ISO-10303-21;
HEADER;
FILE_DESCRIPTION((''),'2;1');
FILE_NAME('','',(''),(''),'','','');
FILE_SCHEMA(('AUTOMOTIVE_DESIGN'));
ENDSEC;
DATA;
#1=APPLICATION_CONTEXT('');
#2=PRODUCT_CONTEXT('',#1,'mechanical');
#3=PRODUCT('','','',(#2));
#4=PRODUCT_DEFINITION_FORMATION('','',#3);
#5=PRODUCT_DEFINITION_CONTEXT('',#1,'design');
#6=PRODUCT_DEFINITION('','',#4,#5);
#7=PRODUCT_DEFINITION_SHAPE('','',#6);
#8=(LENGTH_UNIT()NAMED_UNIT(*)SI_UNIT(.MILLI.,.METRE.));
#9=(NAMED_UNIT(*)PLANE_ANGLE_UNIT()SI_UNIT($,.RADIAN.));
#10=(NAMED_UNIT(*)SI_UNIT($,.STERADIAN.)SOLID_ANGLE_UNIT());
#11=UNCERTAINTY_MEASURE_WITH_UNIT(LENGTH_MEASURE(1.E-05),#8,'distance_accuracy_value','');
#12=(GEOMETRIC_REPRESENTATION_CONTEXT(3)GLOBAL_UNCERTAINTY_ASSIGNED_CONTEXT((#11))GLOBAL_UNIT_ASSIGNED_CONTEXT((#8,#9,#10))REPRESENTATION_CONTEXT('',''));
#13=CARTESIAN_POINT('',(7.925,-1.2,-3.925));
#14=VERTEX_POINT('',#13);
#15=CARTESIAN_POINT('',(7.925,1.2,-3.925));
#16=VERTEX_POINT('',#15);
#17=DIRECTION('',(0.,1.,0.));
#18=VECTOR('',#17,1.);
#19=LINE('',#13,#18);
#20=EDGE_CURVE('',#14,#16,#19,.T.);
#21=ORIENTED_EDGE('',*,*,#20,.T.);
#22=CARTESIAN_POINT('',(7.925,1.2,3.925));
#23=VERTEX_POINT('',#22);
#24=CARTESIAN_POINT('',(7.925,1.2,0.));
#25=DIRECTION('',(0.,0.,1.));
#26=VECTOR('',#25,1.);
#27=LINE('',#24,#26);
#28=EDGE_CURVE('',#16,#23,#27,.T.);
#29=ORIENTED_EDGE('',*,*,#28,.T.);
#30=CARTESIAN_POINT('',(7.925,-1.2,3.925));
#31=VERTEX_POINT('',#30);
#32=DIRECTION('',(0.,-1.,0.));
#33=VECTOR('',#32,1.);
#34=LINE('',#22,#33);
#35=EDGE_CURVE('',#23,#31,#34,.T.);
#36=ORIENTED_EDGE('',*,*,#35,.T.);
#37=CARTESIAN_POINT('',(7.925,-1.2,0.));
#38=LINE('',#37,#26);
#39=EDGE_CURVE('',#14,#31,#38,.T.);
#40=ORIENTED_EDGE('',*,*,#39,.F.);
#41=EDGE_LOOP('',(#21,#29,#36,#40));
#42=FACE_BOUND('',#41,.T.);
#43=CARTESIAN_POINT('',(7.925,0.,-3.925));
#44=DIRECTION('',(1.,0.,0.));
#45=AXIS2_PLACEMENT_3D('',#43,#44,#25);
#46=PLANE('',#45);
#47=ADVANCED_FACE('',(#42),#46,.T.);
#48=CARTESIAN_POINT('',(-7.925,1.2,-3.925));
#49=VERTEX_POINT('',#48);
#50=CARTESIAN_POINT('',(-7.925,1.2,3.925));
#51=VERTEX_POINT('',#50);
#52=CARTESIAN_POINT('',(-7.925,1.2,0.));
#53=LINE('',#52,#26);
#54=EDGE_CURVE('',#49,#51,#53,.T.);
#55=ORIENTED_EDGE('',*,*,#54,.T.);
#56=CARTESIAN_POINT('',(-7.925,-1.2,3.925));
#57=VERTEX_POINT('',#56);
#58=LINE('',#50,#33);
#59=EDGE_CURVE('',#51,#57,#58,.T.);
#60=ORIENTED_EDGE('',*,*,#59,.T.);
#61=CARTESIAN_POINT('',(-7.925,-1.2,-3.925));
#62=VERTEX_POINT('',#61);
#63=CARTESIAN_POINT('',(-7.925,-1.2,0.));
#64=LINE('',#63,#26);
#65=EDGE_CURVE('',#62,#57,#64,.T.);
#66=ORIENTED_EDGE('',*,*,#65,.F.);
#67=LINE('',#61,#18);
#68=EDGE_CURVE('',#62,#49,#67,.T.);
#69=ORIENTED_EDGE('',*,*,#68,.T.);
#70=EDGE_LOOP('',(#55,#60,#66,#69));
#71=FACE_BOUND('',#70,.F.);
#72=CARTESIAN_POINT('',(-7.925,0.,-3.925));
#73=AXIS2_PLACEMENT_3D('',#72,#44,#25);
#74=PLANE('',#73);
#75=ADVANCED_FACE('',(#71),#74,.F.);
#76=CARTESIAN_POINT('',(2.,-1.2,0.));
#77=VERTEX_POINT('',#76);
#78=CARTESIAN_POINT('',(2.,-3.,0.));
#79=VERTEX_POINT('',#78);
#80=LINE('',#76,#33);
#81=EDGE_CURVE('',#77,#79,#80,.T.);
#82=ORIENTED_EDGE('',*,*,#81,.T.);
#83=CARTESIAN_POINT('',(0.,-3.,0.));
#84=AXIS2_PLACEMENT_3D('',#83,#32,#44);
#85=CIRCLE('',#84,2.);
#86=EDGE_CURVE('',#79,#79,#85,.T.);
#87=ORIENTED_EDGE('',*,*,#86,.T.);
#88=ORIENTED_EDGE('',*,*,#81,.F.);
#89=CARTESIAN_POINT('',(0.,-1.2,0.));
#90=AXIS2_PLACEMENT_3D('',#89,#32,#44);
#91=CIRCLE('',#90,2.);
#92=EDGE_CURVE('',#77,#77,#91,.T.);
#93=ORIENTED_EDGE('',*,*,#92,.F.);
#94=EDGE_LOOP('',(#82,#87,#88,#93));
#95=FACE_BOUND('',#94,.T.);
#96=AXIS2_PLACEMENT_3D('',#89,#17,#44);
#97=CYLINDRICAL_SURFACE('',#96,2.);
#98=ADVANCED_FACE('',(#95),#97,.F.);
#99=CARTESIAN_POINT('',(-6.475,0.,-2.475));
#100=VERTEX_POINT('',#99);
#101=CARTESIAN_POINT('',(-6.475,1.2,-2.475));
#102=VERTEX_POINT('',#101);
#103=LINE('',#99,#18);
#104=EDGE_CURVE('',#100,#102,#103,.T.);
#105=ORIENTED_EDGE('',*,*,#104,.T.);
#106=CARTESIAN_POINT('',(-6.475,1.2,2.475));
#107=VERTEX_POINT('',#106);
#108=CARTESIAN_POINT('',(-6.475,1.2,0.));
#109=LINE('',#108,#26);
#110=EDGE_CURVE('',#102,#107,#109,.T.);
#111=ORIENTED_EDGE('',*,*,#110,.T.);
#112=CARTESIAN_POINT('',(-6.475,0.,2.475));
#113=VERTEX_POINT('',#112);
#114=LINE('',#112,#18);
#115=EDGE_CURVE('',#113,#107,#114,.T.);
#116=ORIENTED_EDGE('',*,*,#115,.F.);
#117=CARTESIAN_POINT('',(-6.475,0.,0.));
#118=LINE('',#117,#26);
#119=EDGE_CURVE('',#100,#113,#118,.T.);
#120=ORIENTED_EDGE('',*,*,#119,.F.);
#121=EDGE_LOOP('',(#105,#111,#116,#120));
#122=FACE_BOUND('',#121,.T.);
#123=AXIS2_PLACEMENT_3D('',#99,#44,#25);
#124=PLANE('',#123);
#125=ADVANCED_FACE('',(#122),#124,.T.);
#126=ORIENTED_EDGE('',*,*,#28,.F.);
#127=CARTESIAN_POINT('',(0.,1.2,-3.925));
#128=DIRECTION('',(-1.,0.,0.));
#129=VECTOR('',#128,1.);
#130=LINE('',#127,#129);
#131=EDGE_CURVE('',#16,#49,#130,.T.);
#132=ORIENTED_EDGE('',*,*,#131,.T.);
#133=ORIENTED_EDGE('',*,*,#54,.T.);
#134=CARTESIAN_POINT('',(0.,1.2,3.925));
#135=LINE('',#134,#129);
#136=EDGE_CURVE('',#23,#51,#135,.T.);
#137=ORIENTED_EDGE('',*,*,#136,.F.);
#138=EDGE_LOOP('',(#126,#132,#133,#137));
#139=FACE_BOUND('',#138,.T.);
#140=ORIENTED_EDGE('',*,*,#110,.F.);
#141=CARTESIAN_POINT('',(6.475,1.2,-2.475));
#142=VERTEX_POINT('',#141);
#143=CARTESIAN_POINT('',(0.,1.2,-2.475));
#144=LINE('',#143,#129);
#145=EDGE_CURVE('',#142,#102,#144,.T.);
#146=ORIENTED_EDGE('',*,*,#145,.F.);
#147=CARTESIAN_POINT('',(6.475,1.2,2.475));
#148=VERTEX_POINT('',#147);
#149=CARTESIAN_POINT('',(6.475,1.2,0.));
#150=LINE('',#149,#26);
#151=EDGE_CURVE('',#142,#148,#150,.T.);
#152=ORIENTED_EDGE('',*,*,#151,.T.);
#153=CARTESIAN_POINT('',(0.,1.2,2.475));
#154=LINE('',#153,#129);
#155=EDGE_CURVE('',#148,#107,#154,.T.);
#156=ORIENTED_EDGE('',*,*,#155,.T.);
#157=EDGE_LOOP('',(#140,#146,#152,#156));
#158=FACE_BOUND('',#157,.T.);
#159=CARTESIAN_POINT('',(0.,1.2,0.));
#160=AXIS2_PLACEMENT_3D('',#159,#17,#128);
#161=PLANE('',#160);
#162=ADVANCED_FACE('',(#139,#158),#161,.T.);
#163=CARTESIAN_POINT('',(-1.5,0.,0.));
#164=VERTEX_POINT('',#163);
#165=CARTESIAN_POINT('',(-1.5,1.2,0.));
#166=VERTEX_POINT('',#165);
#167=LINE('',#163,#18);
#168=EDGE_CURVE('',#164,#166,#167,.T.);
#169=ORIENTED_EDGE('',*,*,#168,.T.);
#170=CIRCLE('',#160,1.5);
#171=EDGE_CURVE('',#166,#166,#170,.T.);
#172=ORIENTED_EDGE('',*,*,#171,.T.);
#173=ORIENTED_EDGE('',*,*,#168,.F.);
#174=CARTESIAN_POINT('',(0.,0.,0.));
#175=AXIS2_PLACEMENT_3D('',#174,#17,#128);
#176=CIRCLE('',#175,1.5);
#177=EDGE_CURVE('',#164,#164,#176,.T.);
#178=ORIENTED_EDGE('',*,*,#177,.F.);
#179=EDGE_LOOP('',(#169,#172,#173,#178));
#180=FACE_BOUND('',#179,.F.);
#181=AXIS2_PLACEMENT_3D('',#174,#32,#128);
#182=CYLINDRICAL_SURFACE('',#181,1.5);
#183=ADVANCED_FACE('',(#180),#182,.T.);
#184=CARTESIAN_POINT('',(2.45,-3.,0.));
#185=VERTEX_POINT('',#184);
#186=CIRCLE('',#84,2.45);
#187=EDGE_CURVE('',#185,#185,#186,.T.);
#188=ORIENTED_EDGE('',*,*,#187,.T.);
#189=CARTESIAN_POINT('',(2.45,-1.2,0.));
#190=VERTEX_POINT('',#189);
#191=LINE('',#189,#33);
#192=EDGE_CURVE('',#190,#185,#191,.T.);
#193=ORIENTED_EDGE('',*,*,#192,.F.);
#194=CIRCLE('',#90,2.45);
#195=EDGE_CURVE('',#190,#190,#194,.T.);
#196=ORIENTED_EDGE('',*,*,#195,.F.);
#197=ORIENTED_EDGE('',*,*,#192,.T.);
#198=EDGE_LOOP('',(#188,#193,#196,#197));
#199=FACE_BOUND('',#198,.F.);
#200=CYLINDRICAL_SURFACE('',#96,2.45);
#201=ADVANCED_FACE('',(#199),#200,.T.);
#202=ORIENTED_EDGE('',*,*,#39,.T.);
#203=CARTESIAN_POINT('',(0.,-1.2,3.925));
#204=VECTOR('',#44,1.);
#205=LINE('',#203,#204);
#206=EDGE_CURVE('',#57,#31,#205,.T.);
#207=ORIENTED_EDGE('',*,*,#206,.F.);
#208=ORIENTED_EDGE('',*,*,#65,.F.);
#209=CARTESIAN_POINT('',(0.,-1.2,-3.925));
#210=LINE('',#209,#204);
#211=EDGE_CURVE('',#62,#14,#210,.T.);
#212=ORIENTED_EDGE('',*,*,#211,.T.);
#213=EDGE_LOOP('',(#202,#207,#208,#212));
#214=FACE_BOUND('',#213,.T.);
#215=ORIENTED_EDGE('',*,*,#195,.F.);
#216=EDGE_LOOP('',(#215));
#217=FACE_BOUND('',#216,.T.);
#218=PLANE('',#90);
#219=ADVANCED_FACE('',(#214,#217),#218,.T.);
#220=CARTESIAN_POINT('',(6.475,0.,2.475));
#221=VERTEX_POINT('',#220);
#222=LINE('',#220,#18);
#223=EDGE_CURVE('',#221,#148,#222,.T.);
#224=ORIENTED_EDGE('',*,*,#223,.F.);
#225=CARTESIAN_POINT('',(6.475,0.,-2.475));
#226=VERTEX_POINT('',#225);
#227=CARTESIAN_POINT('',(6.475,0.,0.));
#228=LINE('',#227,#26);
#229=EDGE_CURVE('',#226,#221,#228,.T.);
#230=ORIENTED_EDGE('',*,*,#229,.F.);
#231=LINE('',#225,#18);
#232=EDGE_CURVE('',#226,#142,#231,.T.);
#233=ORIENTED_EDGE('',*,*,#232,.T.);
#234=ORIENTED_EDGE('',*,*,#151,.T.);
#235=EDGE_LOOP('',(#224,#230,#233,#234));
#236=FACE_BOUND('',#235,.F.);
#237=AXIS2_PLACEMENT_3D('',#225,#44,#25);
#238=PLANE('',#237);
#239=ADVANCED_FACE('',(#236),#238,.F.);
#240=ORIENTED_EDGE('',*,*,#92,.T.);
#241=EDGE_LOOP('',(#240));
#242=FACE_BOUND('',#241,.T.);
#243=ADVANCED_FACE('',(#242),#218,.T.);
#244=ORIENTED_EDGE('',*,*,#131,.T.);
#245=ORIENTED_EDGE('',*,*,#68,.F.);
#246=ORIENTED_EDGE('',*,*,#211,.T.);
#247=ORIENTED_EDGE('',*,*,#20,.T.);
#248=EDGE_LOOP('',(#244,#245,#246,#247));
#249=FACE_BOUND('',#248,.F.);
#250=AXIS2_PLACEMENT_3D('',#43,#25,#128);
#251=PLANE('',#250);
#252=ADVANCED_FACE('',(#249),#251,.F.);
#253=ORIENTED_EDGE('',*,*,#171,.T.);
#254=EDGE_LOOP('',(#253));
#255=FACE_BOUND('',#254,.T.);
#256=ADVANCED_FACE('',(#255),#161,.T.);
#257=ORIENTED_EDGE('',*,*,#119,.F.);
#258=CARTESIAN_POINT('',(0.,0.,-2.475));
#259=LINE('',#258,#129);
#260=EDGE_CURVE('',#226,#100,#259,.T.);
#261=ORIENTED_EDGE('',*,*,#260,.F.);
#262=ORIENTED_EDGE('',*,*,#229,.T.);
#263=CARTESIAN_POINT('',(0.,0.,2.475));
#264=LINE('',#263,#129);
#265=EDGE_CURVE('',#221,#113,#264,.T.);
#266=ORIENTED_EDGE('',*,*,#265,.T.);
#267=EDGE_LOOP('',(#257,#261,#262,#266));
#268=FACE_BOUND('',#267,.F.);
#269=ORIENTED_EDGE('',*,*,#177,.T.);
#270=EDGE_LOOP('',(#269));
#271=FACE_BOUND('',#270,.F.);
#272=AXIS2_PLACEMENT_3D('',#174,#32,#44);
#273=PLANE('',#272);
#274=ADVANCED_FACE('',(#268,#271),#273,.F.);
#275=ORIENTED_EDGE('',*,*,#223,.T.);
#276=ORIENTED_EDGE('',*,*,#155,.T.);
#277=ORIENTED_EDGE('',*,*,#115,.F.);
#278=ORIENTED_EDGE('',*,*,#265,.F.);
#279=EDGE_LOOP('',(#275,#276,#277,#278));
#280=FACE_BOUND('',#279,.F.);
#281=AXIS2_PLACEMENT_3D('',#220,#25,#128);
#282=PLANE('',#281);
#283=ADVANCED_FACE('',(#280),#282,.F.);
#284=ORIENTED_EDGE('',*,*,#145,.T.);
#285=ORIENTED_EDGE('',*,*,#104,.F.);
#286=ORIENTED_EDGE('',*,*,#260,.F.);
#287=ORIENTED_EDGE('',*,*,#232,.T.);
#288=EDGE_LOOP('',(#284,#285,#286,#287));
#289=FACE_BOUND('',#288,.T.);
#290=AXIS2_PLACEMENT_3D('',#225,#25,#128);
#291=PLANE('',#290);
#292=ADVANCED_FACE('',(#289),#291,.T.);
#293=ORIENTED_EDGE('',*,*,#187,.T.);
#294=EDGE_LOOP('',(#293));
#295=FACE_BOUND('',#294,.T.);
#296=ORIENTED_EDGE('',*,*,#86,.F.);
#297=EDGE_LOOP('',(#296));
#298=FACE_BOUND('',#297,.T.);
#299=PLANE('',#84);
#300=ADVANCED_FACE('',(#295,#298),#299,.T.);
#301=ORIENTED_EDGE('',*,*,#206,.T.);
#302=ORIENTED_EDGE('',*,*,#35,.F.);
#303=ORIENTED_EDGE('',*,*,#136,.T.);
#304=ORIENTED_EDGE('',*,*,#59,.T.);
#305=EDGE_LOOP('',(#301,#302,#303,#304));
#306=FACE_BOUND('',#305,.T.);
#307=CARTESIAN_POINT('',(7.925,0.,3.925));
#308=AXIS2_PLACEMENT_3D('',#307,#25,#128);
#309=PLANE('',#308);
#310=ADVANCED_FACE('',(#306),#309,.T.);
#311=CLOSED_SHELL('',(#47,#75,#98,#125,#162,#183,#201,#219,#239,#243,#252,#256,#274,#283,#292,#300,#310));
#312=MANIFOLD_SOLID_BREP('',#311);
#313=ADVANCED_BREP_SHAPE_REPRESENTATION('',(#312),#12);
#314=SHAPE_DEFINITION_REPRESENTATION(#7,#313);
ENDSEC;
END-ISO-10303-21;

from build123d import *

# Parameters (mm, degrees)
F0_W     = 15.85
F0_H     = 7.85
F1_DEPTH = 1.2
F2_R     = 2.45
F2_R_2   = 2
F3_DEPTH = 1.8
F4_W     = 15.85
F4_H     = 7.85
F4_W_2   = 12.95
F4_H_2   = 4.95
F4_R     = 1.5
F5_DEPTH = 1.2


with BuildPart() as f1:
    # F0 (on Front) → F1 (new body)
    with BuildSketch(Plane.XZ):
        Rectangle(F0_W, F0_H)
    extrude(amount=F1_DEPTH)

    # F2 (on face) → F3 (join)
    with BuildSketch(Plane.XZ.offset(1.2)):
        Circle(F2_R)
        Circle(F2_R_2, mode=Mode.SUBTRACT)
    extrude(amount=F3_DEPTH)

    # F4 (on face) → F5 (join)
    with BuildSketch(Plane(origin=(0, 0, 0), x_dir=(-1, 0, 0), z_dir=(0, 1, 0))):
        Rectangle(F4_W, F4_H)
        Rectangle(F4_W_2, F4_H_2, mode=Mode.SUBTRACT)
        Circle(F4_R)
    extrude(amount=F5_DEPTH)


solid = f1.part
